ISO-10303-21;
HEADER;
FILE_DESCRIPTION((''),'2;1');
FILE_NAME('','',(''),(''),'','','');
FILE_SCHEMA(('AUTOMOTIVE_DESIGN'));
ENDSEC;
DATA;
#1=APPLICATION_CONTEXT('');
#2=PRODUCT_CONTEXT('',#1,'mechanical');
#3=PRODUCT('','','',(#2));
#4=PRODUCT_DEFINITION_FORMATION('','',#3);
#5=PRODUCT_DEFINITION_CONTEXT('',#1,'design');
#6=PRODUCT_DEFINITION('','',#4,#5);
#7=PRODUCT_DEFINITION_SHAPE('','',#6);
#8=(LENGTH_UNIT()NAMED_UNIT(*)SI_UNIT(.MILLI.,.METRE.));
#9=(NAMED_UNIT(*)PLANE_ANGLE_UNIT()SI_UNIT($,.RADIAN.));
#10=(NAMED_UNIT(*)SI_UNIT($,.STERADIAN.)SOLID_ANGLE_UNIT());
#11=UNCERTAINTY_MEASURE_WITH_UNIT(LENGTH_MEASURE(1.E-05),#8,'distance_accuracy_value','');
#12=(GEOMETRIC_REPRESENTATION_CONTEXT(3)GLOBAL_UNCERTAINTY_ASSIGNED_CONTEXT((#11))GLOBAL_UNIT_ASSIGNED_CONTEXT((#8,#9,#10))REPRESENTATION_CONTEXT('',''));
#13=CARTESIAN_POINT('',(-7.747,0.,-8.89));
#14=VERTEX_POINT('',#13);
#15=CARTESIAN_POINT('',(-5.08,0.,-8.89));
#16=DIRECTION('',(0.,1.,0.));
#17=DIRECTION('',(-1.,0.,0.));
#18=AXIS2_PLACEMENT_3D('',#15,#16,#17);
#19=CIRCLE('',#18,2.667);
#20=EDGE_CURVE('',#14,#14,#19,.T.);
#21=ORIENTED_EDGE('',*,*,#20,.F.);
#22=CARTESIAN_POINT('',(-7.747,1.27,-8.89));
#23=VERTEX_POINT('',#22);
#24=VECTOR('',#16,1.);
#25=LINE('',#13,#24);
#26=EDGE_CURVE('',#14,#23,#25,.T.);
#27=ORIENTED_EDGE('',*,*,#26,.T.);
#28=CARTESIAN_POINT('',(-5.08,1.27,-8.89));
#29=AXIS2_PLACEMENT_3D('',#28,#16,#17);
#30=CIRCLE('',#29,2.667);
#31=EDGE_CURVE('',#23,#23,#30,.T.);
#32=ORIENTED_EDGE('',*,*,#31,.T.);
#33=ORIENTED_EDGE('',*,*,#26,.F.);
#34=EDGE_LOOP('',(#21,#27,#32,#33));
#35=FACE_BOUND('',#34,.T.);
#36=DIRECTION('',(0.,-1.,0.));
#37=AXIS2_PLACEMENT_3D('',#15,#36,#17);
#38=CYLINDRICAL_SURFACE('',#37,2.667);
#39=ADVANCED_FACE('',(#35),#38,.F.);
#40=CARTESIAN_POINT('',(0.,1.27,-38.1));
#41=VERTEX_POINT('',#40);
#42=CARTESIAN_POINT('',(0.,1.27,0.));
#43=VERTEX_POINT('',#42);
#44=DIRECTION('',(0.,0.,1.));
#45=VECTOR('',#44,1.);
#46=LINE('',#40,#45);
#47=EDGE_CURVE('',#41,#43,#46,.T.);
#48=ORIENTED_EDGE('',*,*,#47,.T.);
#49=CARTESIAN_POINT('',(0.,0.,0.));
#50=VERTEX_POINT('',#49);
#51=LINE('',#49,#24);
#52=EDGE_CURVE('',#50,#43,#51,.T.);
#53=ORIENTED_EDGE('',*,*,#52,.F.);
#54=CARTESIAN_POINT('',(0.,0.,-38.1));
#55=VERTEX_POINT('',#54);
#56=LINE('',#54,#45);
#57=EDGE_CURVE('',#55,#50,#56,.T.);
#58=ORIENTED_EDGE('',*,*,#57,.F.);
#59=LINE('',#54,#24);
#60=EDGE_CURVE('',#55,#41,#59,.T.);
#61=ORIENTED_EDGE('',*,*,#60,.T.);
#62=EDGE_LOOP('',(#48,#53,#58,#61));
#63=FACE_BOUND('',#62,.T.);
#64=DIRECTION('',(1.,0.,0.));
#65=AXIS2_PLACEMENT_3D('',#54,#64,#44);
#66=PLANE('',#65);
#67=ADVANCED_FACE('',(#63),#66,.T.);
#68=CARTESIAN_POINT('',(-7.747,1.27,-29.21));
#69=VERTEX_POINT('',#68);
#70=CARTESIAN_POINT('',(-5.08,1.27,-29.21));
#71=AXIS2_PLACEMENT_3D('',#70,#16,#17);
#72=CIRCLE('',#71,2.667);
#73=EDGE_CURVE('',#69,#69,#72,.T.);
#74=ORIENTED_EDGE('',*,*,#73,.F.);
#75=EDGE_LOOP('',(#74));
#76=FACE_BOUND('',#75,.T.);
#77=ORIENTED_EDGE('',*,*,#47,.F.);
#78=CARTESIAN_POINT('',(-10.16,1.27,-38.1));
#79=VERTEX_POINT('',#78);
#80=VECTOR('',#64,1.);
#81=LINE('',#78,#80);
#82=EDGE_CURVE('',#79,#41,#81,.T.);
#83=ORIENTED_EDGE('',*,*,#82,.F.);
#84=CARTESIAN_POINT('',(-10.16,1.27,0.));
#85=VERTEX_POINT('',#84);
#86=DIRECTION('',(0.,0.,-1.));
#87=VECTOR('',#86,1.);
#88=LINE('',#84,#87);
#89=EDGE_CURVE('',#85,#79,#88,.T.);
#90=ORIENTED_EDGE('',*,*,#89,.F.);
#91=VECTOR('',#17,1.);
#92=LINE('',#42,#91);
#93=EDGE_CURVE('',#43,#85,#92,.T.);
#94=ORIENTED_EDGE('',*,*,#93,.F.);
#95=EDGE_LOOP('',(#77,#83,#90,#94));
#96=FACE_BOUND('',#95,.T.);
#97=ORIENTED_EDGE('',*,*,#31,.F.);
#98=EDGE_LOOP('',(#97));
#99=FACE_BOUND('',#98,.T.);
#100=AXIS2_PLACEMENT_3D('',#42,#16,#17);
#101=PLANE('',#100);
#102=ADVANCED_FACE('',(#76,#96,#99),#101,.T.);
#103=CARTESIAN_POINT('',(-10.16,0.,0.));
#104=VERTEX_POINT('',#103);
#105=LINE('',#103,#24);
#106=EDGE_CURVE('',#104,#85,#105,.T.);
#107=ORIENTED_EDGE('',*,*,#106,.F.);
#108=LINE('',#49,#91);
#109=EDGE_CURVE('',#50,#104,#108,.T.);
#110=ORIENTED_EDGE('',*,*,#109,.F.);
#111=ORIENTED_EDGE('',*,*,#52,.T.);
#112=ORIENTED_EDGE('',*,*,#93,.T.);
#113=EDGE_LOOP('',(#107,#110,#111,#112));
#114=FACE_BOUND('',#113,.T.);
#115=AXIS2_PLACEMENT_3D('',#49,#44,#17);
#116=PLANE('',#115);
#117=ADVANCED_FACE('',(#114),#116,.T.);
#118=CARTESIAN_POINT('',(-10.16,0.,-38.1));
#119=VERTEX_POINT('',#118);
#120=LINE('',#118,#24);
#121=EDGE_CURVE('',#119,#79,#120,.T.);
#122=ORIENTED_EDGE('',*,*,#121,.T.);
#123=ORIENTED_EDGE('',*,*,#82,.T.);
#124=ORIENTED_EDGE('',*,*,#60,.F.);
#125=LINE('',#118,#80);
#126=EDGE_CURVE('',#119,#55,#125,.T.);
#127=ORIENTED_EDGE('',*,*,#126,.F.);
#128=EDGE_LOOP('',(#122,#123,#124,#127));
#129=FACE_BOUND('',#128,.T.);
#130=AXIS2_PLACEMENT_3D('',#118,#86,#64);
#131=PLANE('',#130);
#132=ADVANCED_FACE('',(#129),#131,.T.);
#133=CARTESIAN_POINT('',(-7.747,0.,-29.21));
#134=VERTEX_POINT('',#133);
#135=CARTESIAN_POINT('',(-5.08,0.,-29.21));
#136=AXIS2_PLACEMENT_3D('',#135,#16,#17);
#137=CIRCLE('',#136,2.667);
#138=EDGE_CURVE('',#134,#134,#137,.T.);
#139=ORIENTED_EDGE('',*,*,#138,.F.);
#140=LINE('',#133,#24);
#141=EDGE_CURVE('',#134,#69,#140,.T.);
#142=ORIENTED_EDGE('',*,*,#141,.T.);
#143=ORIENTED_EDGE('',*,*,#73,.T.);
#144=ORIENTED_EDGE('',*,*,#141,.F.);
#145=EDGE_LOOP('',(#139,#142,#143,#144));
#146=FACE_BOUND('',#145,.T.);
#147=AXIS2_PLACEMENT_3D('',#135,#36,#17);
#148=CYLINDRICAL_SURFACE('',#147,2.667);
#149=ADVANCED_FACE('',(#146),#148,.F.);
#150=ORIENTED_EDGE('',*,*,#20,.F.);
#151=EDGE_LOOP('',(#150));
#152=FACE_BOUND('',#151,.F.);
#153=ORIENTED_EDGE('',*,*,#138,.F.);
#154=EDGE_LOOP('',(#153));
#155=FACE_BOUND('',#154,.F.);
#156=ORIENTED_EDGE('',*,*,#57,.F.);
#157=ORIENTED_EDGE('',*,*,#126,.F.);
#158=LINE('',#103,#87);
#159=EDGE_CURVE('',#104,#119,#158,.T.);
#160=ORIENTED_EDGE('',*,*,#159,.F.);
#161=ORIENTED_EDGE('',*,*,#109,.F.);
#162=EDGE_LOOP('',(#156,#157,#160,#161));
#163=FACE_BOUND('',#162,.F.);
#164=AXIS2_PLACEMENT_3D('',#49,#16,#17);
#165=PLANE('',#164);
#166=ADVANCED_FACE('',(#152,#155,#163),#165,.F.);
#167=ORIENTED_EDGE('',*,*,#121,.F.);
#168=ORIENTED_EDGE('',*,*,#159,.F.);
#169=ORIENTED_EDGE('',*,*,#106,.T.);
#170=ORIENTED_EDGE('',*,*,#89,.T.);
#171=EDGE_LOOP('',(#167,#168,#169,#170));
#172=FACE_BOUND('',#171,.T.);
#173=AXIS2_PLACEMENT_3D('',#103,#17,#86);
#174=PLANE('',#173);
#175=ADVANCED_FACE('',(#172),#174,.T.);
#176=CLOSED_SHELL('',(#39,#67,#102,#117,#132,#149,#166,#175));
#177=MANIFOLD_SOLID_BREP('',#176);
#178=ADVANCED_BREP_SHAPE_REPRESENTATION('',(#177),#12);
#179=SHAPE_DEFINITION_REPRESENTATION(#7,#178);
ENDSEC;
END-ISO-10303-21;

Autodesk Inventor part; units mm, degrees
ref_plane "YZ Plane" through (0, 0, 0) normal (1, 0, 0) x (0, 1, 0)
ref_plane "XZ Plane" through (0, 0, 0) normal (0, 1, 0) x (-1, 0, 0)
ref_plane "XY Plane" through (0, 0, 0) normal (0, 0, 1) x (1, 0, 0)
sketch "Sketch1" plane through (0, 0, 0) normal (0, 1, 0) x (-1, 0, 0)
  line L0 (0, 0) -> (10.16, 0)
  line L1 (10.16, 0) -> (10.16, -38.1)
  line L2 (10.16, -38.1) -> (0, -38.1)
  line L3 (0, -38.1) -> (0, 0)
  circle A0 centre (5.08, -8.89) radius 2.667
  circle A1 centre (5.08, -29.21) radius 2.667
  point P0 (5.08, -38.1)
  dimension "d0" = 10.16
  dimension "d1" = 38.1
  dimension "d2" = 5.334
  dimension "d3" = 5.334
  dimension "d4" = 5.08
  dimension "d5" = 5.08
  dimension "d6" = 20.32
  dimension "d7" = 8.89
extrude "Extrusion1" add sketch "Sketch1" along normal blind 1.27
properties part number "DrillSpacer"
